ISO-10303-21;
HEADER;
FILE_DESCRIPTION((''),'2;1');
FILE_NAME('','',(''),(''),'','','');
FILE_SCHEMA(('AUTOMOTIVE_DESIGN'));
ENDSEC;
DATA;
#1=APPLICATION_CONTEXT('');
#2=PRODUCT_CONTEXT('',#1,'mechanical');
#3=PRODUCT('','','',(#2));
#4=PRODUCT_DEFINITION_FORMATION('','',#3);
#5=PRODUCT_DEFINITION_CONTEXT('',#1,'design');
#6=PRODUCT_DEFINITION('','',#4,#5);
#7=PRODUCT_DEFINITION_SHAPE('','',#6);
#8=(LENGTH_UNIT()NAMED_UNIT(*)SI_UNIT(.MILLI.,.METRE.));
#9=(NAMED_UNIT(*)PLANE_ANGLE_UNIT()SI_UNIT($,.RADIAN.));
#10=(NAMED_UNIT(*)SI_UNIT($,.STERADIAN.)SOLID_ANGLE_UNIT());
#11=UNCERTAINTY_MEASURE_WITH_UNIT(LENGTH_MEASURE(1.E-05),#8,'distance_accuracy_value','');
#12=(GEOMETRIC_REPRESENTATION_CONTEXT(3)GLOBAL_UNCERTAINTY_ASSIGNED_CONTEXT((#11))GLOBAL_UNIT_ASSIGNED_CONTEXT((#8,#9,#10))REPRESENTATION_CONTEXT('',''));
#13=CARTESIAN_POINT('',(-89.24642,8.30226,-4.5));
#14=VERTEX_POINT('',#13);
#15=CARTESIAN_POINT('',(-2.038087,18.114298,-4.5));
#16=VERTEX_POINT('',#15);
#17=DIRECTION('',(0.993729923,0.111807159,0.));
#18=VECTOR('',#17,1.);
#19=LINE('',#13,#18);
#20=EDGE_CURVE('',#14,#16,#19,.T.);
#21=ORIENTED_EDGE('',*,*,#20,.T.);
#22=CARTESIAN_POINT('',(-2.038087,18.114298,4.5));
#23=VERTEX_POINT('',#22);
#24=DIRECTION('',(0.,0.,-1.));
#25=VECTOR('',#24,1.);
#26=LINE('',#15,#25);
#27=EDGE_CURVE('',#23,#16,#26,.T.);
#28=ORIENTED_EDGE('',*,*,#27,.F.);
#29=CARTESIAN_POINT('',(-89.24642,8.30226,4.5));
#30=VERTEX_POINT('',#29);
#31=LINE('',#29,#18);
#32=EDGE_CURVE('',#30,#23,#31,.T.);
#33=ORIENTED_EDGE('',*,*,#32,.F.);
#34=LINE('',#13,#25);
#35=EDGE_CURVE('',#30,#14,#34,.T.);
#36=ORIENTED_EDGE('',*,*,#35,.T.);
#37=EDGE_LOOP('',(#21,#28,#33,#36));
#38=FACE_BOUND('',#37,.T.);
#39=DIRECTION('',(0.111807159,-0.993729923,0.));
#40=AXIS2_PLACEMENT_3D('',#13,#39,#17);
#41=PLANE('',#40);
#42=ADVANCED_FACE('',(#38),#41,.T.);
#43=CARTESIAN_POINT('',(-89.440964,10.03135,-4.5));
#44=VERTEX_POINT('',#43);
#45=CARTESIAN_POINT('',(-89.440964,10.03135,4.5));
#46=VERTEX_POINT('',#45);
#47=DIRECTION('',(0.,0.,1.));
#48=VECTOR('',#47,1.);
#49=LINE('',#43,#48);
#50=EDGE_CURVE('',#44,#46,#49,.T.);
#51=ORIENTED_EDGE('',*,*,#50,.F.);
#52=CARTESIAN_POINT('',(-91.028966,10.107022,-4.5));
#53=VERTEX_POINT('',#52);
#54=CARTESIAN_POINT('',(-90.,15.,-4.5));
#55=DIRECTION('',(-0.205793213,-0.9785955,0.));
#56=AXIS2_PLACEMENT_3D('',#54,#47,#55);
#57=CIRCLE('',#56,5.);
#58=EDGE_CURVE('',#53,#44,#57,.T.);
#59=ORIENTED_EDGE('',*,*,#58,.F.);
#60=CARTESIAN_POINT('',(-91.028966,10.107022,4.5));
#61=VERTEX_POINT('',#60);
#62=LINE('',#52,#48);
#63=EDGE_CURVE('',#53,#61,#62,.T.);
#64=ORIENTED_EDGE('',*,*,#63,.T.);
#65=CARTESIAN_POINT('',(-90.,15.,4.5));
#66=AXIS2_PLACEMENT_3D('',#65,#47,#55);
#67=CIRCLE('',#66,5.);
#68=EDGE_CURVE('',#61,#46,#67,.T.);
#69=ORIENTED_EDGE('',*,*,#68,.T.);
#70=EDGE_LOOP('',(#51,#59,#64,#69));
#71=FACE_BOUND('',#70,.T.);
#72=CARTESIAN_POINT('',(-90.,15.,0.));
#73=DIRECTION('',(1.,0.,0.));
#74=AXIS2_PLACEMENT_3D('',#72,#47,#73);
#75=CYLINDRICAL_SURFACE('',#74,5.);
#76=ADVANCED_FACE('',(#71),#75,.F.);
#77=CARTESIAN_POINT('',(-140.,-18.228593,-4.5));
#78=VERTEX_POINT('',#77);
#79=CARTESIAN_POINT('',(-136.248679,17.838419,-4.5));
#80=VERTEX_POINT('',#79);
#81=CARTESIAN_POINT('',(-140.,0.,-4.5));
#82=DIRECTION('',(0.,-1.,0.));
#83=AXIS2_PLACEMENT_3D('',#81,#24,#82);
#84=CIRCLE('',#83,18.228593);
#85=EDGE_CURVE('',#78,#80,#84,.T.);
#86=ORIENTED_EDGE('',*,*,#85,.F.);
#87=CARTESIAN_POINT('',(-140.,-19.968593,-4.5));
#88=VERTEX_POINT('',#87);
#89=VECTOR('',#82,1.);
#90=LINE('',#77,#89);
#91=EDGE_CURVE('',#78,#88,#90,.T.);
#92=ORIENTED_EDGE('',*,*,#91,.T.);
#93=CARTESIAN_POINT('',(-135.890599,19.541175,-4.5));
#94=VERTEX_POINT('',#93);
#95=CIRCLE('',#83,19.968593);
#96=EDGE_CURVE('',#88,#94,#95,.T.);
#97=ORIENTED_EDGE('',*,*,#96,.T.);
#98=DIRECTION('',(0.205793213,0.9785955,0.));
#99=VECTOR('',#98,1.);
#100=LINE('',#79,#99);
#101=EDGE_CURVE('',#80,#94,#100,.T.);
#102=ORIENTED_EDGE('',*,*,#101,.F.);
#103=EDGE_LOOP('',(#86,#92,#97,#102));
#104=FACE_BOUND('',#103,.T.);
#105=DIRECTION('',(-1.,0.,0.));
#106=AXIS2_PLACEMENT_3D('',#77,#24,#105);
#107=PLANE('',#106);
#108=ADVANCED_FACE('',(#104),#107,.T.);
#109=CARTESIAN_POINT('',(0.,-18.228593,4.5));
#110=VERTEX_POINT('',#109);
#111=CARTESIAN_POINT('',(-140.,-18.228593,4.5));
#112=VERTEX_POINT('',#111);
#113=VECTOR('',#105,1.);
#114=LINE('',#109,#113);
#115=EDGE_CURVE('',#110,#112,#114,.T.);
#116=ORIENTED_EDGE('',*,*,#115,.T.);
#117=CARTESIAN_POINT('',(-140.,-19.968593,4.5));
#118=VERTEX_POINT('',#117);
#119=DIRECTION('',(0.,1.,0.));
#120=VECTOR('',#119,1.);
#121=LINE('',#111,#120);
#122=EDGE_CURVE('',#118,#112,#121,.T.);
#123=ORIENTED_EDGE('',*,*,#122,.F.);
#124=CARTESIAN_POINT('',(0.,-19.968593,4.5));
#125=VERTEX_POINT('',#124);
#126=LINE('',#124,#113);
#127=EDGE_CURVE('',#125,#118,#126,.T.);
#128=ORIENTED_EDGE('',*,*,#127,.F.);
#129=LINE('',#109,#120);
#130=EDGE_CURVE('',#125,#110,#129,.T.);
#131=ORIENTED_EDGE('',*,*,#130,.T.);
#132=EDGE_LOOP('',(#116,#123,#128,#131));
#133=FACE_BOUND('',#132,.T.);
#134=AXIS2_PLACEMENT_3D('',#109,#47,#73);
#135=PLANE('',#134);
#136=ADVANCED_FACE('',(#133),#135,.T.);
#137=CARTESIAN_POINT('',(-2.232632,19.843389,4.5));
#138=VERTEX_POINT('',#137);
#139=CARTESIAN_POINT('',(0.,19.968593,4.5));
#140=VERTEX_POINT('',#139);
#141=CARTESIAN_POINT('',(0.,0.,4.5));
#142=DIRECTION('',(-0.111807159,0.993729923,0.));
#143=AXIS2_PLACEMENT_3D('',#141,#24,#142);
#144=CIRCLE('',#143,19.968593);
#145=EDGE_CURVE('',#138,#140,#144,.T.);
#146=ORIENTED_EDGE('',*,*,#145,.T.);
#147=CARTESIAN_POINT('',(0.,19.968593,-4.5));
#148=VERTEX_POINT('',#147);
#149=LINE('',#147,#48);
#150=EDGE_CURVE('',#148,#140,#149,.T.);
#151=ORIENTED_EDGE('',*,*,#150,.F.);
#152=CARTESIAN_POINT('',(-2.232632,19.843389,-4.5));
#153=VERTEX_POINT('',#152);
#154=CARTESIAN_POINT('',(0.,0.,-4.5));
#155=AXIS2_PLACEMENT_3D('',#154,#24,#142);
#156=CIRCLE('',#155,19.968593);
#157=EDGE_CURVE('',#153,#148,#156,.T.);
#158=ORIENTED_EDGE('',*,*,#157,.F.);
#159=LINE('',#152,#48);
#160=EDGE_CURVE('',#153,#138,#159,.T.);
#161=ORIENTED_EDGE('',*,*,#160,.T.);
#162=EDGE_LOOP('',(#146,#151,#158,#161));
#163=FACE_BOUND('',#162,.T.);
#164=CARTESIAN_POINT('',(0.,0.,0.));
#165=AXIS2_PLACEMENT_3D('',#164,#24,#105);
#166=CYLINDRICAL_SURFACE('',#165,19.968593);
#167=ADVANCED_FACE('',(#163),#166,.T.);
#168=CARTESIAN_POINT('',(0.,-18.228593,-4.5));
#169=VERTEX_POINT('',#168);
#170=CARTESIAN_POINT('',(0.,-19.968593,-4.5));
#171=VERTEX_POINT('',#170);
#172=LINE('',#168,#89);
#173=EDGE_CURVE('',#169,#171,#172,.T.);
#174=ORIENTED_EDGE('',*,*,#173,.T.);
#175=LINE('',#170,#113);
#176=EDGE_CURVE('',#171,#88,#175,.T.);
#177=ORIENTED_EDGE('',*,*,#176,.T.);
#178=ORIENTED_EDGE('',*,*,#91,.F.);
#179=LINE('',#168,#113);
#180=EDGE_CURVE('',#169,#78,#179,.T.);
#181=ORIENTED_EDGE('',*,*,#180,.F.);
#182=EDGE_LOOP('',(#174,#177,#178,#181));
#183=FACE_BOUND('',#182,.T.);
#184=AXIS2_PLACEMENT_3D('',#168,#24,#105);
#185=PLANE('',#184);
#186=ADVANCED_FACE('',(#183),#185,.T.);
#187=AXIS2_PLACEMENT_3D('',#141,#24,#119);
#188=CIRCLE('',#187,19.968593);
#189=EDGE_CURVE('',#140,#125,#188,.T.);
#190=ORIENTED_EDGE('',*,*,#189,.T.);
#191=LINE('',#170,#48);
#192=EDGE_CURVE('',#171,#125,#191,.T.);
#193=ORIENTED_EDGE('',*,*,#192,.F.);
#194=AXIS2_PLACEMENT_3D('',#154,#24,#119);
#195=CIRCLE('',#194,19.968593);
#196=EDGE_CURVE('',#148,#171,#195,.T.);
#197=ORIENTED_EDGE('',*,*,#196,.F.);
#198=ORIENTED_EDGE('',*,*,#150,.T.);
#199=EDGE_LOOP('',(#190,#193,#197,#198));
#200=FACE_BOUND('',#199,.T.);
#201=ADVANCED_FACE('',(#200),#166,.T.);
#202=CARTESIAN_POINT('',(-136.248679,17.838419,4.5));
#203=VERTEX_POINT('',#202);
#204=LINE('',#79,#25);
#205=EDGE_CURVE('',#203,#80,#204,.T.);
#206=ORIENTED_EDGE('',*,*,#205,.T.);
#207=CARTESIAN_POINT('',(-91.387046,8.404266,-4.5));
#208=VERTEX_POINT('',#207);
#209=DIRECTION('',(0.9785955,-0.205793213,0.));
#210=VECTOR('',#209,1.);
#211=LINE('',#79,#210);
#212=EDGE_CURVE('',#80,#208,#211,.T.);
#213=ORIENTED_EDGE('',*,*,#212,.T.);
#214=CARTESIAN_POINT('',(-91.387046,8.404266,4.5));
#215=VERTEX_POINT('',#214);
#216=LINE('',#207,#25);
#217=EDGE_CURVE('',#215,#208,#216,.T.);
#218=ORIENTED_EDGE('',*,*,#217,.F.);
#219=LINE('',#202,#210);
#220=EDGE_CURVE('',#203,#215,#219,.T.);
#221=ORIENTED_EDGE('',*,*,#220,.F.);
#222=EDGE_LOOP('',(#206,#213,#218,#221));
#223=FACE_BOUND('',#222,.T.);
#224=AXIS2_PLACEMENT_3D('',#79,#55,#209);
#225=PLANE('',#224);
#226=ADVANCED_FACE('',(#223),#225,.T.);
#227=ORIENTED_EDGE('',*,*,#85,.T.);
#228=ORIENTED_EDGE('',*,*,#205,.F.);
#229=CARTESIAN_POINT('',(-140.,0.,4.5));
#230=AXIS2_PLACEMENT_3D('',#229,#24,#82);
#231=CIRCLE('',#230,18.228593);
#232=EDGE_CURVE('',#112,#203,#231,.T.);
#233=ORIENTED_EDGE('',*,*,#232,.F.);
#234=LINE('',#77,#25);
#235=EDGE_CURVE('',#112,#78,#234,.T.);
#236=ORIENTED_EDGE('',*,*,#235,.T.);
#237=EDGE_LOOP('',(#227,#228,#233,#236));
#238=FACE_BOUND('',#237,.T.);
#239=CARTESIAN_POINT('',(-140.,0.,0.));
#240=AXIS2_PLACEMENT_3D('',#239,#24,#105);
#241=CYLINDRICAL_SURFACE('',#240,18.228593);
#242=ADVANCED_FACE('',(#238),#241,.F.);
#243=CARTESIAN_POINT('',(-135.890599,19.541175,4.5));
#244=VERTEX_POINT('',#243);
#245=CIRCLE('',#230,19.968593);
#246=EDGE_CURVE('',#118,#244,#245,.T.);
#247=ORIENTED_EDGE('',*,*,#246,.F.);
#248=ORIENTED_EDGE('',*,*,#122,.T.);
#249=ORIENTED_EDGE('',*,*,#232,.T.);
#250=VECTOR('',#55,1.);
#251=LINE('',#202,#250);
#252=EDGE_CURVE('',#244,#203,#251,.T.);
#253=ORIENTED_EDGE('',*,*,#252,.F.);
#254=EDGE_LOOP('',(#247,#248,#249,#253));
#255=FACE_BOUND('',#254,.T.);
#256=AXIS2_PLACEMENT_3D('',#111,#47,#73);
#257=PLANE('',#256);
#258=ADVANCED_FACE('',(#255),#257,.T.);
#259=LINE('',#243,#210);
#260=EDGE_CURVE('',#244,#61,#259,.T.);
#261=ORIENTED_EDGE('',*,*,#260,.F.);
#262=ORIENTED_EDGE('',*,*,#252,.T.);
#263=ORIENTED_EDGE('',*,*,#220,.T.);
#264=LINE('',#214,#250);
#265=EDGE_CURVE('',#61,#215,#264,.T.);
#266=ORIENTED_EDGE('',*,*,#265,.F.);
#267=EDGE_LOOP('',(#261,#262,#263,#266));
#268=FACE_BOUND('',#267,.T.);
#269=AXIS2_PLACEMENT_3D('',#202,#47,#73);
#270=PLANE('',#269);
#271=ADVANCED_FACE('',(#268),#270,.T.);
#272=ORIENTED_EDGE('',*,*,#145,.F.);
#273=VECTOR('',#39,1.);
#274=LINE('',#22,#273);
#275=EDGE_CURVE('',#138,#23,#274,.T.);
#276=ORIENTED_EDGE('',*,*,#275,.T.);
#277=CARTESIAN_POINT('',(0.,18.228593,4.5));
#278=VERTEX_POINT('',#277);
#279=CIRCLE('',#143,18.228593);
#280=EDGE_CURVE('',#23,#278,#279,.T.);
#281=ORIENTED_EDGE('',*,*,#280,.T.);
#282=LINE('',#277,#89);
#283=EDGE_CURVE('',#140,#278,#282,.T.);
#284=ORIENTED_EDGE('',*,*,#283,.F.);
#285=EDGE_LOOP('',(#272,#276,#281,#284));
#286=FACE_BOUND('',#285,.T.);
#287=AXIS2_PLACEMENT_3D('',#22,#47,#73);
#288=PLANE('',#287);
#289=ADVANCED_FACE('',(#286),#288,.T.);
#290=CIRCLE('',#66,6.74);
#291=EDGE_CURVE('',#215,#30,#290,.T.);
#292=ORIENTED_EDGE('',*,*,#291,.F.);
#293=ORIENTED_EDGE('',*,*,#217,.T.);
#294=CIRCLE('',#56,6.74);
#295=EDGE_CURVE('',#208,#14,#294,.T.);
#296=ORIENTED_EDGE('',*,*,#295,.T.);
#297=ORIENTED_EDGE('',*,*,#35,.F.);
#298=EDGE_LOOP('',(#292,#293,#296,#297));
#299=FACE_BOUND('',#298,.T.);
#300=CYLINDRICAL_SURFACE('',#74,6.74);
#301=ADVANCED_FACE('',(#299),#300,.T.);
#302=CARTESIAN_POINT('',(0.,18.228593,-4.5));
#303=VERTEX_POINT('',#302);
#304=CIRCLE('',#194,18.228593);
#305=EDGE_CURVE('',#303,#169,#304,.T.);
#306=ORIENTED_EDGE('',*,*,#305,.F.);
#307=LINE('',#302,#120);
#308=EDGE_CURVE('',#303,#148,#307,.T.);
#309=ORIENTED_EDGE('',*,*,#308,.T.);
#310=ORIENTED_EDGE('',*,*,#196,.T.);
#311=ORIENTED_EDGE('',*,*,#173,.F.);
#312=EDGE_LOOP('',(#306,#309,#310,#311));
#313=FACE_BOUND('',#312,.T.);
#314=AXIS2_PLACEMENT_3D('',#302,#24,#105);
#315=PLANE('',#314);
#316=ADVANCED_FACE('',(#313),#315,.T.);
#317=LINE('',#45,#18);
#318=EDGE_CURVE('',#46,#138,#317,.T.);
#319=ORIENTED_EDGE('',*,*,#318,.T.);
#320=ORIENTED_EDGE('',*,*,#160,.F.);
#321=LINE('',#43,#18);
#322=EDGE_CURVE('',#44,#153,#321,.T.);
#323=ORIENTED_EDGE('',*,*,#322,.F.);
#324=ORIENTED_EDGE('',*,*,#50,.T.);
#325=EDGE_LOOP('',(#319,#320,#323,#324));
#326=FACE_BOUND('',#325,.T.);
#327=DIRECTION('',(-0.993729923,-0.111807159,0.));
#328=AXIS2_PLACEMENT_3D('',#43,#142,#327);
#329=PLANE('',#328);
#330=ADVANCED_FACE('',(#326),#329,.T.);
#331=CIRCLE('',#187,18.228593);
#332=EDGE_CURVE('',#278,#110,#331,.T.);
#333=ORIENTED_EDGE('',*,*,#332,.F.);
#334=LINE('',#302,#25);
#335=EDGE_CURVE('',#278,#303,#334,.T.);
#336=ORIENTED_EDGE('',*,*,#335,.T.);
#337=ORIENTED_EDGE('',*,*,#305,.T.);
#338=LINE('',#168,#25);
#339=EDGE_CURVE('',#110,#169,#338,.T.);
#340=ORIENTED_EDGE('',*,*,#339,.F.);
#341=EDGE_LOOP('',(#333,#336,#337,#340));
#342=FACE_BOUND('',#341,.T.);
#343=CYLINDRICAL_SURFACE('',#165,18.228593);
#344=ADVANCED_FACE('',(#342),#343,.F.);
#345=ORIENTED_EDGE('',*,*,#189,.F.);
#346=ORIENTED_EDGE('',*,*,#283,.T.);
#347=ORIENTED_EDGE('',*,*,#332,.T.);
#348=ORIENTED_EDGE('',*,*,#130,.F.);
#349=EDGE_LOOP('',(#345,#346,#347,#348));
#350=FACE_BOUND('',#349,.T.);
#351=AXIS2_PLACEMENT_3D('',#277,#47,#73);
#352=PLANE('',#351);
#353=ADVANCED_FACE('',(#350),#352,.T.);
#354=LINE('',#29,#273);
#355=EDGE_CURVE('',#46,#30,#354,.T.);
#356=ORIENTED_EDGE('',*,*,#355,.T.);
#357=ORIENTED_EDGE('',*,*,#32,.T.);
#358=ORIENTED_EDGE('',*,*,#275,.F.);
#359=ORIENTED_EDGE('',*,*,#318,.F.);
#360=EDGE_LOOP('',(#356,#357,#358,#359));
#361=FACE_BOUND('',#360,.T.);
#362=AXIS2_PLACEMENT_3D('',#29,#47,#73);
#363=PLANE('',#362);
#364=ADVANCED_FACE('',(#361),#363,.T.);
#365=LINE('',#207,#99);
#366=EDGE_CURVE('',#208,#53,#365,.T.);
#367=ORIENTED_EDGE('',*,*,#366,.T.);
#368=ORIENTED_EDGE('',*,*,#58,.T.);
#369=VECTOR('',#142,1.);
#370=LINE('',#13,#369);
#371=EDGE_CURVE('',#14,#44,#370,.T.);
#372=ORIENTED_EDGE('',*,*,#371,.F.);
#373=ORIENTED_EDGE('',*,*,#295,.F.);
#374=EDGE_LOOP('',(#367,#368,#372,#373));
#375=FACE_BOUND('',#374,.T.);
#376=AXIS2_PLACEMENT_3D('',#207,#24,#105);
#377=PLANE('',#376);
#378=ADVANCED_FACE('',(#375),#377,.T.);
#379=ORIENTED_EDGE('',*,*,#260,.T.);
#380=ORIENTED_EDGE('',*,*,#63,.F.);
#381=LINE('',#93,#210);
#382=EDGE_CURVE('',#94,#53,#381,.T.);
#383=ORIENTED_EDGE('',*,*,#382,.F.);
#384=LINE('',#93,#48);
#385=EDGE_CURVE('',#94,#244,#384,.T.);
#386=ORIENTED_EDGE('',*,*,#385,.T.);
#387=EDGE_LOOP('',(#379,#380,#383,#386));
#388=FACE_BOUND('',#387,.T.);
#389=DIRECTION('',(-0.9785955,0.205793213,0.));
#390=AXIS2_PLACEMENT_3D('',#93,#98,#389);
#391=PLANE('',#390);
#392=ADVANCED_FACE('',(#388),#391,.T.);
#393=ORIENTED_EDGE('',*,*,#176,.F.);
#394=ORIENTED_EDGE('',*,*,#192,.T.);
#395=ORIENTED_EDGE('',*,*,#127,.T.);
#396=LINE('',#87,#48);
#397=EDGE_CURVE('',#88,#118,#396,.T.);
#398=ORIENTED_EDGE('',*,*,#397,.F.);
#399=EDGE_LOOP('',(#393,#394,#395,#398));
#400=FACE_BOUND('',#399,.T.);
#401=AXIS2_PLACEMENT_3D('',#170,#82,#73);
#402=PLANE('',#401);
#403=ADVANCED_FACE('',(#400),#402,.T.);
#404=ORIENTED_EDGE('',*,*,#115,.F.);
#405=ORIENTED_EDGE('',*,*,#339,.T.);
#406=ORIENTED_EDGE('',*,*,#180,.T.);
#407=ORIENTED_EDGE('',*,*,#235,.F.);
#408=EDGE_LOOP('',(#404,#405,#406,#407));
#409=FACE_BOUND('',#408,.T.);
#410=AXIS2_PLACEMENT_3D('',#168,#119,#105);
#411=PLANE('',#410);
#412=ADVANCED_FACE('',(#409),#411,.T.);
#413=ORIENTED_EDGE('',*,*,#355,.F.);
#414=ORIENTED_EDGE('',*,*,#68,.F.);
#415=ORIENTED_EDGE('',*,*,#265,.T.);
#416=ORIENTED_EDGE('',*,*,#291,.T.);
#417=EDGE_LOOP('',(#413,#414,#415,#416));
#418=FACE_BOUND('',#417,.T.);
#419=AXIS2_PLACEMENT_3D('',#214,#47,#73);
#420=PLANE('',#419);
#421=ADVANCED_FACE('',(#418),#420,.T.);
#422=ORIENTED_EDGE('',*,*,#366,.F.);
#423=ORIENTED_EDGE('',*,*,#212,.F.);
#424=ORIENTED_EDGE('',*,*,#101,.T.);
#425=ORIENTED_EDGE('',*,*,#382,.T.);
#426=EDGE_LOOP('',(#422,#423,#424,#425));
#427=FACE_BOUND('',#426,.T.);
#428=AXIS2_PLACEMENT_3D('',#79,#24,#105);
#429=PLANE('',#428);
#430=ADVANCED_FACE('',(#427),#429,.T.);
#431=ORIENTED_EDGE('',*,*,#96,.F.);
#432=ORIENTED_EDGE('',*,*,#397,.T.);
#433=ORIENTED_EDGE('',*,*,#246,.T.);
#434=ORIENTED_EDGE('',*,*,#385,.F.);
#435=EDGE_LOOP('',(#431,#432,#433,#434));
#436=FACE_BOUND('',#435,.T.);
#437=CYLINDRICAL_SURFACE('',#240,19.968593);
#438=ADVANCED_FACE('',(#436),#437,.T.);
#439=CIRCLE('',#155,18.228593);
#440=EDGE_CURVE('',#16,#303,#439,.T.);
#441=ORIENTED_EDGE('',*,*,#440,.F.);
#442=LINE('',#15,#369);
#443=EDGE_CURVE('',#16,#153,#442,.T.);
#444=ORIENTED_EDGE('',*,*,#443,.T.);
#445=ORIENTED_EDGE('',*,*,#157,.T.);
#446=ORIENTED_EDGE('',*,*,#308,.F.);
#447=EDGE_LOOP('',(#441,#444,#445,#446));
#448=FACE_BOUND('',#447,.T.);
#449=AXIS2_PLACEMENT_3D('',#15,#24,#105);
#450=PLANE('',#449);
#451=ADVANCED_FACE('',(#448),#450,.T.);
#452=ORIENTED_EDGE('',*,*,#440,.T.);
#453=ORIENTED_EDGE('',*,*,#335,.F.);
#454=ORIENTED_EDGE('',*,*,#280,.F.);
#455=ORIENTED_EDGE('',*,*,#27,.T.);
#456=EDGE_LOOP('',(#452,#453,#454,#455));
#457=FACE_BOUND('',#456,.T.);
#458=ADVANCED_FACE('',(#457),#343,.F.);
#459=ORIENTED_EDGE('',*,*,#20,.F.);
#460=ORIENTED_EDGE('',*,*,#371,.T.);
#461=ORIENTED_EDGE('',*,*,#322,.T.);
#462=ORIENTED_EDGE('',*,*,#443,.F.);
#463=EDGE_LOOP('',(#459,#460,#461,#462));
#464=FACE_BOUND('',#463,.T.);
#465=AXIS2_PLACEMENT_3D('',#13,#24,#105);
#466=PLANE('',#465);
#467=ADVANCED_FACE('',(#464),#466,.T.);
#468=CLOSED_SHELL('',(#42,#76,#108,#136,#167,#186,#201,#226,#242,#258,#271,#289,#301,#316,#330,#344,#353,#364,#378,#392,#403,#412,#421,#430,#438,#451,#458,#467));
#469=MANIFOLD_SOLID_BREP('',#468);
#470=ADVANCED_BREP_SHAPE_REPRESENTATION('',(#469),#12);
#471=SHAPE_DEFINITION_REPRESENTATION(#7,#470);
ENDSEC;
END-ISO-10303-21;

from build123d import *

# Parameters (mm, degrees)
SKETCH2_W = 9
SKETCH2_H = 1.74


with BuildPart() as part:
    # Sweep1: sweep along a path in Sketch1
    with BuildLine(Plane.XY) as sweep1_path:
        Line((-2.135359448, 18.978843514), (-89.343691975, 9.166805354))
        ThreePointArc((-89.343691975, 9.166805354), (-90.279402583, 9.136653328), (-91.208006162, 9.255644413))
        Line((-91.208006162, 9.255644413), (-136.069639142, 18.689797341))
        ThreePointArc((-136.069639142, 18.689797341), (-158.9961193, 1.975781523), (-140, -19.098593171))
        Line((-140, -19.098593171), (0, -19.098593171))
        ThreePointArc((0, -19.098593171), (19.068632256, 1.069357278), (-2.135359448, 18.978843514))
    # Sketch2 → Sweep1 (sweep)
    with BuildSketch(Plane(origin=(0, 0, 0), x_dir=(0, 0, -1), z_dir=(1, 0, 0))):
        with Locations((0, 19.098593171)):
            Rectangle(SKETCH2_W, SKETCH2_H)
    sweep(path=sweep1_path.line)


solid = part.part
